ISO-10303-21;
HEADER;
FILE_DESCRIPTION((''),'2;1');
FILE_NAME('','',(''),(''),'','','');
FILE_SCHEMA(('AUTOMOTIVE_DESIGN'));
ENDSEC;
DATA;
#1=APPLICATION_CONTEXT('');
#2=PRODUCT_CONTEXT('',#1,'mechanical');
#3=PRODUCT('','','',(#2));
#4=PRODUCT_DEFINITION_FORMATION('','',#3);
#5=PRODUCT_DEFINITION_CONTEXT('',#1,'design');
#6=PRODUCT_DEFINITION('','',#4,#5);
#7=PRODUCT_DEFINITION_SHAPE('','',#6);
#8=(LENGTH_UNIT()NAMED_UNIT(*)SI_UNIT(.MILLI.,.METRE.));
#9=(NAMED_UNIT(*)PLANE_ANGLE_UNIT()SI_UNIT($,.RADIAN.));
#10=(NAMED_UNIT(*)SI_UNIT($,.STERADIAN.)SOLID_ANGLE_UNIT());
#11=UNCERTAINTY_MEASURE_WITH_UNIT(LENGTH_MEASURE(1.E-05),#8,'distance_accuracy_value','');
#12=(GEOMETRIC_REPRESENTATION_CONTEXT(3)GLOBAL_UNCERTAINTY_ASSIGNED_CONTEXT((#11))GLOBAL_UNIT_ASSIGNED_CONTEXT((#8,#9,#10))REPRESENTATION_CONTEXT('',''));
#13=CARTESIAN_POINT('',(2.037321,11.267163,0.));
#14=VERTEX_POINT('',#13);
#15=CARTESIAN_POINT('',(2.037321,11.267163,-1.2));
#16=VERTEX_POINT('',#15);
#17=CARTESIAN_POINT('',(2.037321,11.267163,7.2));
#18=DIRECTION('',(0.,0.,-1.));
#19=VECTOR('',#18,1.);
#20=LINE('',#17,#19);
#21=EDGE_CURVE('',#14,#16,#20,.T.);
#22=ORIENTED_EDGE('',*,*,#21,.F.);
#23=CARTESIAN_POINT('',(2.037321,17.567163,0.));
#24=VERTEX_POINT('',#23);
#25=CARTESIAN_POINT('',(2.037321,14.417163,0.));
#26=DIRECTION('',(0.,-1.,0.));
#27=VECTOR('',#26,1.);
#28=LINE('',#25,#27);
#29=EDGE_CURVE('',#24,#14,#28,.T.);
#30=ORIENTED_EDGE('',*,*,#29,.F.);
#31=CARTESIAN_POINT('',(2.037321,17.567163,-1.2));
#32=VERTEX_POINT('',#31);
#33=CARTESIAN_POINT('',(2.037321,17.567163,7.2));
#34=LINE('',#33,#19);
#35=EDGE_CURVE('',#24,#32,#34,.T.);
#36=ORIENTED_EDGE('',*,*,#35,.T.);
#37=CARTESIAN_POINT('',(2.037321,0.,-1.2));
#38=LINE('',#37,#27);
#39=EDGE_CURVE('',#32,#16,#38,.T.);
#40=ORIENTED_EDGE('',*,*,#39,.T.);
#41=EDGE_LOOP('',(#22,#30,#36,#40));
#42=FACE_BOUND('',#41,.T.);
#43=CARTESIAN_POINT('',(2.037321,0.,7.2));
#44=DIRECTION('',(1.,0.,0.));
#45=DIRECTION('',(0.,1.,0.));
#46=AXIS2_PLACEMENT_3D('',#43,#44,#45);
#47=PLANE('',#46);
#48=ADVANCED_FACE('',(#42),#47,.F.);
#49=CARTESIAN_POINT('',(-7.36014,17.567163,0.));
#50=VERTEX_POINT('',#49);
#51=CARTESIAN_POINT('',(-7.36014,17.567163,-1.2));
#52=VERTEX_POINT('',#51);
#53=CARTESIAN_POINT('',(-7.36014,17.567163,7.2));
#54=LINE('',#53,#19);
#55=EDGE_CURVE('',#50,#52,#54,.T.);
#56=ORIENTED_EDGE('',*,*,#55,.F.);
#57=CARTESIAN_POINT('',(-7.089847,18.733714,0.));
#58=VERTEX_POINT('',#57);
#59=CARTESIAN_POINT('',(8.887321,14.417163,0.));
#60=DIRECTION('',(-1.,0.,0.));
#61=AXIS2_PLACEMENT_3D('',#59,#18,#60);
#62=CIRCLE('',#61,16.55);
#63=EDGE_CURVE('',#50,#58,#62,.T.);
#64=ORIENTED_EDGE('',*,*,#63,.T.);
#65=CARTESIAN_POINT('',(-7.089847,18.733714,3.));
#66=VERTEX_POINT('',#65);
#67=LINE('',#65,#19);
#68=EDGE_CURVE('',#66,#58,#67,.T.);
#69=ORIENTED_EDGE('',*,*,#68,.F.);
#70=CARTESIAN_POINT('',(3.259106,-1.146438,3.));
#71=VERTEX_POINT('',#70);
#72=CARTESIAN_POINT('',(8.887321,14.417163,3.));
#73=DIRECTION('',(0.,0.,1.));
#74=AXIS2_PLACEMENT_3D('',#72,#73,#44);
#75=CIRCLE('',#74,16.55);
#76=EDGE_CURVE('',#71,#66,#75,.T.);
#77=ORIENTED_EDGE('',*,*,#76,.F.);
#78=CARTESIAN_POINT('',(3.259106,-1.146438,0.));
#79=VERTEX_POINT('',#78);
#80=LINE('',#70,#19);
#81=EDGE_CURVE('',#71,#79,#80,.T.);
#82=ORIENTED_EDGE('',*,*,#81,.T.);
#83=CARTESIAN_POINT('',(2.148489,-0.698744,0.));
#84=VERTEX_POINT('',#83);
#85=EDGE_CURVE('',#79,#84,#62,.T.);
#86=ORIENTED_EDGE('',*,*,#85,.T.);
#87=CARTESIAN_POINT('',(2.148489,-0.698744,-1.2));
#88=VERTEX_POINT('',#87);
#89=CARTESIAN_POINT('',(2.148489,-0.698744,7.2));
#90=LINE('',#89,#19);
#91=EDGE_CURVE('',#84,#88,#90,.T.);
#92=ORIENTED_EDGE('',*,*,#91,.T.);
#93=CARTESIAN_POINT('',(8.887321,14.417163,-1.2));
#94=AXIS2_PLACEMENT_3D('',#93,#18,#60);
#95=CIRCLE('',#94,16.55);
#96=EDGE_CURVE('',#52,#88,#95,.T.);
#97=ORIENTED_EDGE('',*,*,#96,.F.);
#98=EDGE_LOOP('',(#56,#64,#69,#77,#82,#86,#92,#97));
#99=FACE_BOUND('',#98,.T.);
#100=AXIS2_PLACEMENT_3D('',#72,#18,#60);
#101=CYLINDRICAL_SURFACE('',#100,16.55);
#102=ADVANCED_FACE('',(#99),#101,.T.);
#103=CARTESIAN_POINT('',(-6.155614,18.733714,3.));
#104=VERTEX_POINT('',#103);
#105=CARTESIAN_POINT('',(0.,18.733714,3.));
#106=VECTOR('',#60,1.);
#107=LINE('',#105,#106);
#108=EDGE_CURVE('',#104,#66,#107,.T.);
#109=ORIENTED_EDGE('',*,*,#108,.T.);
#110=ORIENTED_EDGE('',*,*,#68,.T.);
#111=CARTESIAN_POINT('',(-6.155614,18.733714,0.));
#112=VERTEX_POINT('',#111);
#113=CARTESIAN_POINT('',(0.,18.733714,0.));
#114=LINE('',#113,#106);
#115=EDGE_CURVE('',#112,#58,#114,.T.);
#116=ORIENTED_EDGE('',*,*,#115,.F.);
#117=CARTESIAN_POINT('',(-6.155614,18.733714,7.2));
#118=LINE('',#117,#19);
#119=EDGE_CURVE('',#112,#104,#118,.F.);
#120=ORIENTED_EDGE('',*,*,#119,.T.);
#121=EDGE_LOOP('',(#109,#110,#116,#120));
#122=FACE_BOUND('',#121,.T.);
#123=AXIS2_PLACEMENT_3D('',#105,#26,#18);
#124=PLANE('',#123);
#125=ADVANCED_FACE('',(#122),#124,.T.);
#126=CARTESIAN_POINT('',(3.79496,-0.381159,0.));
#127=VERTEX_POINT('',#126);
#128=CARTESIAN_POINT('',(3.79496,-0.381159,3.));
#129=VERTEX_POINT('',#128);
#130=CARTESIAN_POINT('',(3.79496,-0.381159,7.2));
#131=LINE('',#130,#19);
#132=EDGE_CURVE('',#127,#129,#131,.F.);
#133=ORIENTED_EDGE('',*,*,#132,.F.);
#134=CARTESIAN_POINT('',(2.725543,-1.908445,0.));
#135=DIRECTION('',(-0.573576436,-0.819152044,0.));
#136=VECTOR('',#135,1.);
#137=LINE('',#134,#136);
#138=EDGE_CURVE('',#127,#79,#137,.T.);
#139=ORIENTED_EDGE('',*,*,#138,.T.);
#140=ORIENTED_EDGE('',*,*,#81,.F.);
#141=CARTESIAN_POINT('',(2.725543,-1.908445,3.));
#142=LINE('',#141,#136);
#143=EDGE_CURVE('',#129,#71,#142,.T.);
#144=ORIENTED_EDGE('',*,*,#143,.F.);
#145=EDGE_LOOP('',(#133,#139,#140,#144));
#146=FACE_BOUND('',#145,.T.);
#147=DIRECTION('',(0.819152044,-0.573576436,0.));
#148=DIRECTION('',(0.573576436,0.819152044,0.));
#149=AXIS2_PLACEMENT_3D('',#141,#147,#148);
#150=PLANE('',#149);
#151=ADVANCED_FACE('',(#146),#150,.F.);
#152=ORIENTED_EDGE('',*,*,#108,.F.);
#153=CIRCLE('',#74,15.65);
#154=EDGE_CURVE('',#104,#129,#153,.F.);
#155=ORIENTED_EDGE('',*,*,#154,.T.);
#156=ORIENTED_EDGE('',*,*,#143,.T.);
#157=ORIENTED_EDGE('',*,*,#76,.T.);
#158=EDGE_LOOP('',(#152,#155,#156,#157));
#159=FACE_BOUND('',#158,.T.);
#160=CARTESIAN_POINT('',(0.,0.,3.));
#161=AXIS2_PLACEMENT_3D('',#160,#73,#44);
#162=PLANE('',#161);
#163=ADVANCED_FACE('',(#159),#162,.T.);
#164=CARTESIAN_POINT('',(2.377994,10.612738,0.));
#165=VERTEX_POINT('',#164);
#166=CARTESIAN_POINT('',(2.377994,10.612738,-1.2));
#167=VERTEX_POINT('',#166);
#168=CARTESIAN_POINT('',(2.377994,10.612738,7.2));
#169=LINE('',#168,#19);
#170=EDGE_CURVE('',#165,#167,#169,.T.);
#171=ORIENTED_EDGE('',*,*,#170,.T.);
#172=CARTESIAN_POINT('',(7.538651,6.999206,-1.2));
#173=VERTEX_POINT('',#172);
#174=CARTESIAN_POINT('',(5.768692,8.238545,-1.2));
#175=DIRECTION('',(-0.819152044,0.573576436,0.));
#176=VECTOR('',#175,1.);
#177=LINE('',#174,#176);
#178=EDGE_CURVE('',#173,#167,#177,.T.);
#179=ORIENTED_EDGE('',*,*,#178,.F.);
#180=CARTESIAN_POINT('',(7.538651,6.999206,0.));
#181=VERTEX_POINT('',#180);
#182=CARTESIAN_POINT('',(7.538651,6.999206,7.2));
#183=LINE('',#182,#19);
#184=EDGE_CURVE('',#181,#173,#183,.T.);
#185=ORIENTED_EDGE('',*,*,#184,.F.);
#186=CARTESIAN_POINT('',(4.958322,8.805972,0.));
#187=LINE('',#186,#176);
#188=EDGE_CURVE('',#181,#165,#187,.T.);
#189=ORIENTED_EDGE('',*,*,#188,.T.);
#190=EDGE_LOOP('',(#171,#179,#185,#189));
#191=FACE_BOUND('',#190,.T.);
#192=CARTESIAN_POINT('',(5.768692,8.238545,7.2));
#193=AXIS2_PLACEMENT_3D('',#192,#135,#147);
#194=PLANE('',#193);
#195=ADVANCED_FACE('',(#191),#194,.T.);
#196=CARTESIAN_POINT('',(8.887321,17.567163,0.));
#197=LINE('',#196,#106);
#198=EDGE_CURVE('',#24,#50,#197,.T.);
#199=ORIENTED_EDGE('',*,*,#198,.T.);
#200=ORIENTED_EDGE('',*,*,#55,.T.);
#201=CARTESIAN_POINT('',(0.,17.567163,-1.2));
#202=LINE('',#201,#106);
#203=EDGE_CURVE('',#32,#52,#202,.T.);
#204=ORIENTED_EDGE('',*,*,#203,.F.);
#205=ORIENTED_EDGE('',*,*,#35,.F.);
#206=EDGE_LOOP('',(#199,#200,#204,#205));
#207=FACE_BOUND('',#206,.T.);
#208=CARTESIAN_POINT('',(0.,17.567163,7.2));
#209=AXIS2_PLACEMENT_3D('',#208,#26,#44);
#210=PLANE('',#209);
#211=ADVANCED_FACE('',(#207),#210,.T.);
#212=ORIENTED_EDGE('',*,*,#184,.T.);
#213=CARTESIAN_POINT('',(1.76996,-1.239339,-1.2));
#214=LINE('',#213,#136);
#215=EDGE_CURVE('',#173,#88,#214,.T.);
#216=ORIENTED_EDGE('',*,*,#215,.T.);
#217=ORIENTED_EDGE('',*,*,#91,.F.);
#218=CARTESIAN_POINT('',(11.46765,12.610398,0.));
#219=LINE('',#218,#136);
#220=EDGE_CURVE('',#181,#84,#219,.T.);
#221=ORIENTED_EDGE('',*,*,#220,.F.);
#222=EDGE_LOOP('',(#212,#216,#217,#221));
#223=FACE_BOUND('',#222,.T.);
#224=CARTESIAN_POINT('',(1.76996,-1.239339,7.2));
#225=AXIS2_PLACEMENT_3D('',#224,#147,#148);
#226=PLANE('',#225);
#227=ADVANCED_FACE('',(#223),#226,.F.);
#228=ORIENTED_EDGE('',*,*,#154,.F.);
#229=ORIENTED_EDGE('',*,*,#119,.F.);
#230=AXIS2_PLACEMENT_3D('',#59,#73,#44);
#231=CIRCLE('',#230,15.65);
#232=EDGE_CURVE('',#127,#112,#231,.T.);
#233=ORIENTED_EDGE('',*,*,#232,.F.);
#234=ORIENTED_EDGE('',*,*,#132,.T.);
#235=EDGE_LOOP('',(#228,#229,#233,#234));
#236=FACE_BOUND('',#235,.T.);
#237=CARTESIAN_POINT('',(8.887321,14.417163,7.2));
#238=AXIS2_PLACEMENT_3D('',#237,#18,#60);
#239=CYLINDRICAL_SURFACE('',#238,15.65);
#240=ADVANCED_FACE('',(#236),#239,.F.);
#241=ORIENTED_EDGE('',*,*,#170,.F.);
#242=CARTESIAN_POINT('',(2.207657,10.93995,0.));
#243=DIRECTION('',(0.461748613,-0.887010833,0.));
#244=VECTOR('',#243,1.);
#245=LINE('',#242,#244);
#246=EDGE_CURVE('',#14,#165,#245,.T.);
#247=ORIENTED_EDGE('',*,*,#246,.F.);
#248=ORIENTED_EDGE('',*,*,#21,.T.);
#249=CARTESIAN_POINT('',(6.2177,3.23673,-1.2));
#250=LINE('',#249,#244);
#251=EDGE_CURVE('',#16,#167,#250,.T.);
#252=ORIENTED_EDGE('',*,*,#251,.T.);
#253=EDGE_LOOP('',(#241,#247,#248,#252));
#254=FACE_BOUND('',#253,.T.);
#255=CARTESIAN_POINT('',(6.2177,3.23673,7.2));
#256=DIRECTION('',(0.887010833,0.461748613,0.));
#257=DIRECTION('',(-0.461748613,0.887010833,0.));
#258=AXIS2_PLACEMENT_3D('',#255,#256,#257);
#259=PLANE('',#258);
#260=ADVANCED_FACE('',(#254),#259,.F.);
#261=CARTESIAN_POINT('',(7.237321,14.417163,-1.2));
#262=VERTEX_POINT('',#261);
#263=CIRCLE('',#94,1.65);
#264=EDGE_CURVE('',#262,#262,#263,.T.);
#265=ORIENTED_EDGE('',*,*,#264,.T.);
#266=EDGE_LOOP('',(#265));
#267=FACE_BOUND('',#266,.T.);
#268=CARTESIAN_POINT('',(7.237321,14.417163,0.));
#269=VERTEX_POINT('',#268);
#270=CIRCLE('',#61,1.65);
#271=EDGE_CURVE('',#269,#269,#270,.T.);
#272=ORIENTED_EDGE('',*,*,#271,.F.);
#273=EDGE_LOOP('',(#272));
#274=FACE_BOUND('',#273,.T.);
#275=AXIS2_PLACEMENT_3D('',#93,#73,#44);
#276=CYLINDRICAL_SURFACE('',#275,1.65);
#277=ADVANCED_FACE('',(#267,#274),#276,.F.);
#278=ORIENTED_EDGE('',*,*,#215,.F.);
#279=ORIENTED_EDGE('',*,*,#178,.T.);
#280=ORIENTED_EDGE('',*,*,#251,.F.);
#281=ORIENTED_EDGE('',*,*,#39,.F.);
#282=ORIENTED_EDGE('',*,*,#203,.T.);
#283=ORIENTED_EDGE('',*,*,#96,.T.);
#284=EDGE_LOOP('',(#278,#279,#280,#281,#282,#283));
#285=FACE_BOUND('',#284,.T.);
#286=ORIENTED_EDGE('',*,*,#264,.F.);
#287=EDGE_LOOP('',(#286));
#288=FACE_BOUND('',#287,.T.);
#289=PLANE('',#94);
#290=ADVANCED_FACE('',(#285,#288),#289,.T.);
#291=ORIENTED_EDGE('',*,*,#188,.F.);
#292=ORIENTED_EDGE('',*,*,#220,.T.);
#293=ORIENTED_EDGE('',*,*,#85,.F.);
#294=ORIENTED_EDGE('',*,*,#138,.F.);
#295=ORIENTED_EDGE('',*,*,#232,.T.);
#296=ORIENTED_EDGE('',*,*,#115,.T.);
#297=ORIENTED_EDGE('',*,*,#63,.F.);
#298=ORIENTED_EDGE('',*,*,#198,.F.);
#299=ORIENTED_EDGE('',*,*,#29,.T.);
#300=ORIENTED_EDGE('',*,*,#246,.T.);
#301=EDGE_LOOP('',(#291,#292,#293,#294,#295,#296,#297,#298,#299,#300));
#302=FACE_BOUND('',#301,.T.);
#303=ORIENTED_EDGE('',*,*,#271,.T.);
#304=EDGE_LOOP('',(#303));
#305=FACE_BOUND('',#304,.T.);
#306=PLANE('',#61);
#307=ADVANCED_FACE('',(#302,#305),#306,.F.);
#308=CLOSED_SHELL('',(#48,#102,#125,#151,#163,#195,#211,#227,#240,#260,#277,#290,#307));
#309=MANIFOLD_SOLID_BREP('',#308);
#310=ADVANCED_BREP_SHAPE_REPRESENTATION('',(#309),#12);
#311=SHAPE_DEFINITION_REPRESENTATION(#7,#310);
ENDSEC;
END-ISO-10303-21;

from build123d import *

# Parameters (mm, degrees)
BOSS_EXTRUDE1_DEPTH     = 3
BOSS_EXTRUDE1_2_DEPTH   = 3
BOSS_EXTRUDE2_START     = 1.2
SKETCH3_R               = 16.55
SKETCH3_R_2             = 1.65
BOSS_EXTRUDE2_DEPTH     = 1.2
CUT_EXTRUDE1_DEPTH      = 7.2
CUT_EXTRUDE1_DEPTH_BACK = 1.2
SKETCH5_R               = 15.65
CUT_EXTRUDE2_DEPTH      = 7.2


with BuildPart() as part:
    # Sketch2 → Boss-Extrude1 (new body)
    with BuildSketch(Plane.XY):
        with BuildLine():
            ThreePointArc((-3.097702158, 4.826453317), (-4.728295227, 7.32932211), (-5.843255553, 10.100612318))
            Line((-5.843255553, 10.100612318), (-7.089846629, 10.100612318))
            ThreePointArc((-7.089846629, 10.100612318), (-5.792708227, 6.775223774), (-3.812717425, 3.805305689))
            Line((-3.812717425, 3.805305689), (-3.097702158, 4.826453317))
        make_face()
    extrude(amount=BOSS_EXTRUDE1_DEPTH)



with BuildPart() as body_2:
    # Sketch2 → Boss-Extrude1 2 (new body)
    with BuildSketch(Plane.XY):
        with BuildLine():
            Line((-7.089846629, 18.733714328), (-5.843255553, 18.733714328))
            ThreePointArc((-5.843255553, 18.733714328), (11.067705083, 29.611518377), (24.237321062, 14.417163323))
            ThreePointArc((24.237321062, 14.417163323), (17.837317684, 1.946395084), (3.974121001, -0.125290568))
            Line((3.974121001, -0.125290568), (3.259105735, -1.146438196))
            ThreePointArc((3.259105735, -1.146438196), (18.394043324, 0.870033301), (25.437321062, 14.417163323))
            ThreePointArc((25.437321062, 14.417163323), (11.064518196, 30.823330232), (-7.089846629, 18.733714328))
        make_face()
    extrude(amount=BOSS_EXTRUDE1_2_DEPTH)


with BuildPart() as part_1:
    add(part.part)

    add(body_2.part)  # Boss-Extrude2 merges body 2
    # Sketch3 → Boss-Extrude2 (add)
    with BuildSketch(Plane(origin=(0, 0, 0), x_dir=(-1, 0, 0), z_dir=(0, 0, -1)).offset(BOSS_EXTRUDE2_START)):
        with Locations((-8.887321062, 14.417163323)):
            Circle(SKETCH3_R)
        with Locations((-8.887321062, 14.417163323)):
            Circle(SKETCH3_R_2, mode=Mode.SUBTRACT)
    extrude(amount=-BOSS_EXTRUDE2_DEPTH)

    # Sketch4 → Cut-Extrude1 (cut, two sides: drawn at the far end of the back side and taken through both)
    with BuildSketch(Plane.XY.offset(-CUT_EXTRUDE1_DEPTH_BACK)):
        with BuildLine():
            Line((2.037321062, 11.267163323), (2.037321062, 17.567163323))
            Line((2.037321062, 17.567163323), (-6.135994151, 17.567163323))
            ThreePointArc((-6.135994151, 17.567163323), (-6.462678938, 14.417163323), (-6.135994151, 11.267163323))
            Line((-6.135994151, 11.267163323), (2.037321062, 11.267163323))
        make_face()
        with BuildLine():
            ThreePointArc((-6.135994151, 11.267163323), (-6.462678938, 14.417163323), (-6.135994151, 17.567163323))
            Line((-6.135994151, 17.567163323), (-7.360140278, 17.567163323))
            ThreePointArc((-7.360140278, 17.567163323), (-7.662678938, 14.417163323), (-7.360140278, 11.267163323))
            Line((-7.360140278, 11.267163323), (-6.135994151, 11.267163323))
        make_face()
        with BuildLine():
            Line((2.148489026, -0.698743623), (2.850630399, 0.304018179))
            ThreePointArc((2.850630399, 0.304018179), (0.082922764, 1.843179443), (-2.31002748, 3.917549728))
            Line((-2.31002748, 3.917549728), (-3.012168853, 2.914787926))
            ThreePointArc((-3.012168853, 2.914787926), (-0.605368959, 0.86019699), (2.148489026, -0.698743623))
        make_face()
        with BuildLine():
            Line((7.538651413, 6.999206045), (2.377993534, 10.612737594))
            Line((2.377993534, 10.612737594), (-2.31002748, 3.917549728))
            ThreePointArc((-2.31002748, 3.917549728), (0.082922764, 1.843179443), (2.850630399, 0.304018179))
            Line((2.850630399, 0.304018179), (7.538651413, 6.999206045))
        make_face()
        with BuildLine():
            Line((2.377993534, 10.612737594), (2.037321062, 11.267163323))
            Line((2.037321062, 11.267163323), (-6.135994151, 11.267163323))
            ThreePointArc((-6.135994151, 11.267163323), (-4.728295227, 7.32932211), (-2.31002748, 3.917549728))
            Line((-2.31002748, 3.917549728), (2.377993534, 10.612737594))
        make_face()
        with BuildLine():
            ThreePointArc((-2.31002748, 3.917549728), (-4.728295227, 7.32932211), (-6.135994151, 11.267163323))
            Line((-6.135994151, 11.267163323), (-7.360140278, 11.267163323))
            ThreePointArc((-7.360140278, 11.267163323), (-5.792708227, 6.775223774), (-3.012168853, 2.914787926))
            Line((-3.012168853, 2.914787926), (-2.31002748, 3.917549728))
        make_face()
    extrude(amount=CUT_EXTRUDE1_DEPTH + CUT_EXTRUDE1_DEPTH_BACK, mode=Mode.SUBTRACT)

    # Sketch5 → Cut-Extrude2 (cut)
    with BuildSketch(Plane.XY):
        with Locations((8.887321062, 14.417163323)):
            Circle(SKETCH5_R)
    extrude(amount=CUT_EXTRUDE2_DEPTH, mode=Mode.SUBTRACT)


solid = part_1.part
